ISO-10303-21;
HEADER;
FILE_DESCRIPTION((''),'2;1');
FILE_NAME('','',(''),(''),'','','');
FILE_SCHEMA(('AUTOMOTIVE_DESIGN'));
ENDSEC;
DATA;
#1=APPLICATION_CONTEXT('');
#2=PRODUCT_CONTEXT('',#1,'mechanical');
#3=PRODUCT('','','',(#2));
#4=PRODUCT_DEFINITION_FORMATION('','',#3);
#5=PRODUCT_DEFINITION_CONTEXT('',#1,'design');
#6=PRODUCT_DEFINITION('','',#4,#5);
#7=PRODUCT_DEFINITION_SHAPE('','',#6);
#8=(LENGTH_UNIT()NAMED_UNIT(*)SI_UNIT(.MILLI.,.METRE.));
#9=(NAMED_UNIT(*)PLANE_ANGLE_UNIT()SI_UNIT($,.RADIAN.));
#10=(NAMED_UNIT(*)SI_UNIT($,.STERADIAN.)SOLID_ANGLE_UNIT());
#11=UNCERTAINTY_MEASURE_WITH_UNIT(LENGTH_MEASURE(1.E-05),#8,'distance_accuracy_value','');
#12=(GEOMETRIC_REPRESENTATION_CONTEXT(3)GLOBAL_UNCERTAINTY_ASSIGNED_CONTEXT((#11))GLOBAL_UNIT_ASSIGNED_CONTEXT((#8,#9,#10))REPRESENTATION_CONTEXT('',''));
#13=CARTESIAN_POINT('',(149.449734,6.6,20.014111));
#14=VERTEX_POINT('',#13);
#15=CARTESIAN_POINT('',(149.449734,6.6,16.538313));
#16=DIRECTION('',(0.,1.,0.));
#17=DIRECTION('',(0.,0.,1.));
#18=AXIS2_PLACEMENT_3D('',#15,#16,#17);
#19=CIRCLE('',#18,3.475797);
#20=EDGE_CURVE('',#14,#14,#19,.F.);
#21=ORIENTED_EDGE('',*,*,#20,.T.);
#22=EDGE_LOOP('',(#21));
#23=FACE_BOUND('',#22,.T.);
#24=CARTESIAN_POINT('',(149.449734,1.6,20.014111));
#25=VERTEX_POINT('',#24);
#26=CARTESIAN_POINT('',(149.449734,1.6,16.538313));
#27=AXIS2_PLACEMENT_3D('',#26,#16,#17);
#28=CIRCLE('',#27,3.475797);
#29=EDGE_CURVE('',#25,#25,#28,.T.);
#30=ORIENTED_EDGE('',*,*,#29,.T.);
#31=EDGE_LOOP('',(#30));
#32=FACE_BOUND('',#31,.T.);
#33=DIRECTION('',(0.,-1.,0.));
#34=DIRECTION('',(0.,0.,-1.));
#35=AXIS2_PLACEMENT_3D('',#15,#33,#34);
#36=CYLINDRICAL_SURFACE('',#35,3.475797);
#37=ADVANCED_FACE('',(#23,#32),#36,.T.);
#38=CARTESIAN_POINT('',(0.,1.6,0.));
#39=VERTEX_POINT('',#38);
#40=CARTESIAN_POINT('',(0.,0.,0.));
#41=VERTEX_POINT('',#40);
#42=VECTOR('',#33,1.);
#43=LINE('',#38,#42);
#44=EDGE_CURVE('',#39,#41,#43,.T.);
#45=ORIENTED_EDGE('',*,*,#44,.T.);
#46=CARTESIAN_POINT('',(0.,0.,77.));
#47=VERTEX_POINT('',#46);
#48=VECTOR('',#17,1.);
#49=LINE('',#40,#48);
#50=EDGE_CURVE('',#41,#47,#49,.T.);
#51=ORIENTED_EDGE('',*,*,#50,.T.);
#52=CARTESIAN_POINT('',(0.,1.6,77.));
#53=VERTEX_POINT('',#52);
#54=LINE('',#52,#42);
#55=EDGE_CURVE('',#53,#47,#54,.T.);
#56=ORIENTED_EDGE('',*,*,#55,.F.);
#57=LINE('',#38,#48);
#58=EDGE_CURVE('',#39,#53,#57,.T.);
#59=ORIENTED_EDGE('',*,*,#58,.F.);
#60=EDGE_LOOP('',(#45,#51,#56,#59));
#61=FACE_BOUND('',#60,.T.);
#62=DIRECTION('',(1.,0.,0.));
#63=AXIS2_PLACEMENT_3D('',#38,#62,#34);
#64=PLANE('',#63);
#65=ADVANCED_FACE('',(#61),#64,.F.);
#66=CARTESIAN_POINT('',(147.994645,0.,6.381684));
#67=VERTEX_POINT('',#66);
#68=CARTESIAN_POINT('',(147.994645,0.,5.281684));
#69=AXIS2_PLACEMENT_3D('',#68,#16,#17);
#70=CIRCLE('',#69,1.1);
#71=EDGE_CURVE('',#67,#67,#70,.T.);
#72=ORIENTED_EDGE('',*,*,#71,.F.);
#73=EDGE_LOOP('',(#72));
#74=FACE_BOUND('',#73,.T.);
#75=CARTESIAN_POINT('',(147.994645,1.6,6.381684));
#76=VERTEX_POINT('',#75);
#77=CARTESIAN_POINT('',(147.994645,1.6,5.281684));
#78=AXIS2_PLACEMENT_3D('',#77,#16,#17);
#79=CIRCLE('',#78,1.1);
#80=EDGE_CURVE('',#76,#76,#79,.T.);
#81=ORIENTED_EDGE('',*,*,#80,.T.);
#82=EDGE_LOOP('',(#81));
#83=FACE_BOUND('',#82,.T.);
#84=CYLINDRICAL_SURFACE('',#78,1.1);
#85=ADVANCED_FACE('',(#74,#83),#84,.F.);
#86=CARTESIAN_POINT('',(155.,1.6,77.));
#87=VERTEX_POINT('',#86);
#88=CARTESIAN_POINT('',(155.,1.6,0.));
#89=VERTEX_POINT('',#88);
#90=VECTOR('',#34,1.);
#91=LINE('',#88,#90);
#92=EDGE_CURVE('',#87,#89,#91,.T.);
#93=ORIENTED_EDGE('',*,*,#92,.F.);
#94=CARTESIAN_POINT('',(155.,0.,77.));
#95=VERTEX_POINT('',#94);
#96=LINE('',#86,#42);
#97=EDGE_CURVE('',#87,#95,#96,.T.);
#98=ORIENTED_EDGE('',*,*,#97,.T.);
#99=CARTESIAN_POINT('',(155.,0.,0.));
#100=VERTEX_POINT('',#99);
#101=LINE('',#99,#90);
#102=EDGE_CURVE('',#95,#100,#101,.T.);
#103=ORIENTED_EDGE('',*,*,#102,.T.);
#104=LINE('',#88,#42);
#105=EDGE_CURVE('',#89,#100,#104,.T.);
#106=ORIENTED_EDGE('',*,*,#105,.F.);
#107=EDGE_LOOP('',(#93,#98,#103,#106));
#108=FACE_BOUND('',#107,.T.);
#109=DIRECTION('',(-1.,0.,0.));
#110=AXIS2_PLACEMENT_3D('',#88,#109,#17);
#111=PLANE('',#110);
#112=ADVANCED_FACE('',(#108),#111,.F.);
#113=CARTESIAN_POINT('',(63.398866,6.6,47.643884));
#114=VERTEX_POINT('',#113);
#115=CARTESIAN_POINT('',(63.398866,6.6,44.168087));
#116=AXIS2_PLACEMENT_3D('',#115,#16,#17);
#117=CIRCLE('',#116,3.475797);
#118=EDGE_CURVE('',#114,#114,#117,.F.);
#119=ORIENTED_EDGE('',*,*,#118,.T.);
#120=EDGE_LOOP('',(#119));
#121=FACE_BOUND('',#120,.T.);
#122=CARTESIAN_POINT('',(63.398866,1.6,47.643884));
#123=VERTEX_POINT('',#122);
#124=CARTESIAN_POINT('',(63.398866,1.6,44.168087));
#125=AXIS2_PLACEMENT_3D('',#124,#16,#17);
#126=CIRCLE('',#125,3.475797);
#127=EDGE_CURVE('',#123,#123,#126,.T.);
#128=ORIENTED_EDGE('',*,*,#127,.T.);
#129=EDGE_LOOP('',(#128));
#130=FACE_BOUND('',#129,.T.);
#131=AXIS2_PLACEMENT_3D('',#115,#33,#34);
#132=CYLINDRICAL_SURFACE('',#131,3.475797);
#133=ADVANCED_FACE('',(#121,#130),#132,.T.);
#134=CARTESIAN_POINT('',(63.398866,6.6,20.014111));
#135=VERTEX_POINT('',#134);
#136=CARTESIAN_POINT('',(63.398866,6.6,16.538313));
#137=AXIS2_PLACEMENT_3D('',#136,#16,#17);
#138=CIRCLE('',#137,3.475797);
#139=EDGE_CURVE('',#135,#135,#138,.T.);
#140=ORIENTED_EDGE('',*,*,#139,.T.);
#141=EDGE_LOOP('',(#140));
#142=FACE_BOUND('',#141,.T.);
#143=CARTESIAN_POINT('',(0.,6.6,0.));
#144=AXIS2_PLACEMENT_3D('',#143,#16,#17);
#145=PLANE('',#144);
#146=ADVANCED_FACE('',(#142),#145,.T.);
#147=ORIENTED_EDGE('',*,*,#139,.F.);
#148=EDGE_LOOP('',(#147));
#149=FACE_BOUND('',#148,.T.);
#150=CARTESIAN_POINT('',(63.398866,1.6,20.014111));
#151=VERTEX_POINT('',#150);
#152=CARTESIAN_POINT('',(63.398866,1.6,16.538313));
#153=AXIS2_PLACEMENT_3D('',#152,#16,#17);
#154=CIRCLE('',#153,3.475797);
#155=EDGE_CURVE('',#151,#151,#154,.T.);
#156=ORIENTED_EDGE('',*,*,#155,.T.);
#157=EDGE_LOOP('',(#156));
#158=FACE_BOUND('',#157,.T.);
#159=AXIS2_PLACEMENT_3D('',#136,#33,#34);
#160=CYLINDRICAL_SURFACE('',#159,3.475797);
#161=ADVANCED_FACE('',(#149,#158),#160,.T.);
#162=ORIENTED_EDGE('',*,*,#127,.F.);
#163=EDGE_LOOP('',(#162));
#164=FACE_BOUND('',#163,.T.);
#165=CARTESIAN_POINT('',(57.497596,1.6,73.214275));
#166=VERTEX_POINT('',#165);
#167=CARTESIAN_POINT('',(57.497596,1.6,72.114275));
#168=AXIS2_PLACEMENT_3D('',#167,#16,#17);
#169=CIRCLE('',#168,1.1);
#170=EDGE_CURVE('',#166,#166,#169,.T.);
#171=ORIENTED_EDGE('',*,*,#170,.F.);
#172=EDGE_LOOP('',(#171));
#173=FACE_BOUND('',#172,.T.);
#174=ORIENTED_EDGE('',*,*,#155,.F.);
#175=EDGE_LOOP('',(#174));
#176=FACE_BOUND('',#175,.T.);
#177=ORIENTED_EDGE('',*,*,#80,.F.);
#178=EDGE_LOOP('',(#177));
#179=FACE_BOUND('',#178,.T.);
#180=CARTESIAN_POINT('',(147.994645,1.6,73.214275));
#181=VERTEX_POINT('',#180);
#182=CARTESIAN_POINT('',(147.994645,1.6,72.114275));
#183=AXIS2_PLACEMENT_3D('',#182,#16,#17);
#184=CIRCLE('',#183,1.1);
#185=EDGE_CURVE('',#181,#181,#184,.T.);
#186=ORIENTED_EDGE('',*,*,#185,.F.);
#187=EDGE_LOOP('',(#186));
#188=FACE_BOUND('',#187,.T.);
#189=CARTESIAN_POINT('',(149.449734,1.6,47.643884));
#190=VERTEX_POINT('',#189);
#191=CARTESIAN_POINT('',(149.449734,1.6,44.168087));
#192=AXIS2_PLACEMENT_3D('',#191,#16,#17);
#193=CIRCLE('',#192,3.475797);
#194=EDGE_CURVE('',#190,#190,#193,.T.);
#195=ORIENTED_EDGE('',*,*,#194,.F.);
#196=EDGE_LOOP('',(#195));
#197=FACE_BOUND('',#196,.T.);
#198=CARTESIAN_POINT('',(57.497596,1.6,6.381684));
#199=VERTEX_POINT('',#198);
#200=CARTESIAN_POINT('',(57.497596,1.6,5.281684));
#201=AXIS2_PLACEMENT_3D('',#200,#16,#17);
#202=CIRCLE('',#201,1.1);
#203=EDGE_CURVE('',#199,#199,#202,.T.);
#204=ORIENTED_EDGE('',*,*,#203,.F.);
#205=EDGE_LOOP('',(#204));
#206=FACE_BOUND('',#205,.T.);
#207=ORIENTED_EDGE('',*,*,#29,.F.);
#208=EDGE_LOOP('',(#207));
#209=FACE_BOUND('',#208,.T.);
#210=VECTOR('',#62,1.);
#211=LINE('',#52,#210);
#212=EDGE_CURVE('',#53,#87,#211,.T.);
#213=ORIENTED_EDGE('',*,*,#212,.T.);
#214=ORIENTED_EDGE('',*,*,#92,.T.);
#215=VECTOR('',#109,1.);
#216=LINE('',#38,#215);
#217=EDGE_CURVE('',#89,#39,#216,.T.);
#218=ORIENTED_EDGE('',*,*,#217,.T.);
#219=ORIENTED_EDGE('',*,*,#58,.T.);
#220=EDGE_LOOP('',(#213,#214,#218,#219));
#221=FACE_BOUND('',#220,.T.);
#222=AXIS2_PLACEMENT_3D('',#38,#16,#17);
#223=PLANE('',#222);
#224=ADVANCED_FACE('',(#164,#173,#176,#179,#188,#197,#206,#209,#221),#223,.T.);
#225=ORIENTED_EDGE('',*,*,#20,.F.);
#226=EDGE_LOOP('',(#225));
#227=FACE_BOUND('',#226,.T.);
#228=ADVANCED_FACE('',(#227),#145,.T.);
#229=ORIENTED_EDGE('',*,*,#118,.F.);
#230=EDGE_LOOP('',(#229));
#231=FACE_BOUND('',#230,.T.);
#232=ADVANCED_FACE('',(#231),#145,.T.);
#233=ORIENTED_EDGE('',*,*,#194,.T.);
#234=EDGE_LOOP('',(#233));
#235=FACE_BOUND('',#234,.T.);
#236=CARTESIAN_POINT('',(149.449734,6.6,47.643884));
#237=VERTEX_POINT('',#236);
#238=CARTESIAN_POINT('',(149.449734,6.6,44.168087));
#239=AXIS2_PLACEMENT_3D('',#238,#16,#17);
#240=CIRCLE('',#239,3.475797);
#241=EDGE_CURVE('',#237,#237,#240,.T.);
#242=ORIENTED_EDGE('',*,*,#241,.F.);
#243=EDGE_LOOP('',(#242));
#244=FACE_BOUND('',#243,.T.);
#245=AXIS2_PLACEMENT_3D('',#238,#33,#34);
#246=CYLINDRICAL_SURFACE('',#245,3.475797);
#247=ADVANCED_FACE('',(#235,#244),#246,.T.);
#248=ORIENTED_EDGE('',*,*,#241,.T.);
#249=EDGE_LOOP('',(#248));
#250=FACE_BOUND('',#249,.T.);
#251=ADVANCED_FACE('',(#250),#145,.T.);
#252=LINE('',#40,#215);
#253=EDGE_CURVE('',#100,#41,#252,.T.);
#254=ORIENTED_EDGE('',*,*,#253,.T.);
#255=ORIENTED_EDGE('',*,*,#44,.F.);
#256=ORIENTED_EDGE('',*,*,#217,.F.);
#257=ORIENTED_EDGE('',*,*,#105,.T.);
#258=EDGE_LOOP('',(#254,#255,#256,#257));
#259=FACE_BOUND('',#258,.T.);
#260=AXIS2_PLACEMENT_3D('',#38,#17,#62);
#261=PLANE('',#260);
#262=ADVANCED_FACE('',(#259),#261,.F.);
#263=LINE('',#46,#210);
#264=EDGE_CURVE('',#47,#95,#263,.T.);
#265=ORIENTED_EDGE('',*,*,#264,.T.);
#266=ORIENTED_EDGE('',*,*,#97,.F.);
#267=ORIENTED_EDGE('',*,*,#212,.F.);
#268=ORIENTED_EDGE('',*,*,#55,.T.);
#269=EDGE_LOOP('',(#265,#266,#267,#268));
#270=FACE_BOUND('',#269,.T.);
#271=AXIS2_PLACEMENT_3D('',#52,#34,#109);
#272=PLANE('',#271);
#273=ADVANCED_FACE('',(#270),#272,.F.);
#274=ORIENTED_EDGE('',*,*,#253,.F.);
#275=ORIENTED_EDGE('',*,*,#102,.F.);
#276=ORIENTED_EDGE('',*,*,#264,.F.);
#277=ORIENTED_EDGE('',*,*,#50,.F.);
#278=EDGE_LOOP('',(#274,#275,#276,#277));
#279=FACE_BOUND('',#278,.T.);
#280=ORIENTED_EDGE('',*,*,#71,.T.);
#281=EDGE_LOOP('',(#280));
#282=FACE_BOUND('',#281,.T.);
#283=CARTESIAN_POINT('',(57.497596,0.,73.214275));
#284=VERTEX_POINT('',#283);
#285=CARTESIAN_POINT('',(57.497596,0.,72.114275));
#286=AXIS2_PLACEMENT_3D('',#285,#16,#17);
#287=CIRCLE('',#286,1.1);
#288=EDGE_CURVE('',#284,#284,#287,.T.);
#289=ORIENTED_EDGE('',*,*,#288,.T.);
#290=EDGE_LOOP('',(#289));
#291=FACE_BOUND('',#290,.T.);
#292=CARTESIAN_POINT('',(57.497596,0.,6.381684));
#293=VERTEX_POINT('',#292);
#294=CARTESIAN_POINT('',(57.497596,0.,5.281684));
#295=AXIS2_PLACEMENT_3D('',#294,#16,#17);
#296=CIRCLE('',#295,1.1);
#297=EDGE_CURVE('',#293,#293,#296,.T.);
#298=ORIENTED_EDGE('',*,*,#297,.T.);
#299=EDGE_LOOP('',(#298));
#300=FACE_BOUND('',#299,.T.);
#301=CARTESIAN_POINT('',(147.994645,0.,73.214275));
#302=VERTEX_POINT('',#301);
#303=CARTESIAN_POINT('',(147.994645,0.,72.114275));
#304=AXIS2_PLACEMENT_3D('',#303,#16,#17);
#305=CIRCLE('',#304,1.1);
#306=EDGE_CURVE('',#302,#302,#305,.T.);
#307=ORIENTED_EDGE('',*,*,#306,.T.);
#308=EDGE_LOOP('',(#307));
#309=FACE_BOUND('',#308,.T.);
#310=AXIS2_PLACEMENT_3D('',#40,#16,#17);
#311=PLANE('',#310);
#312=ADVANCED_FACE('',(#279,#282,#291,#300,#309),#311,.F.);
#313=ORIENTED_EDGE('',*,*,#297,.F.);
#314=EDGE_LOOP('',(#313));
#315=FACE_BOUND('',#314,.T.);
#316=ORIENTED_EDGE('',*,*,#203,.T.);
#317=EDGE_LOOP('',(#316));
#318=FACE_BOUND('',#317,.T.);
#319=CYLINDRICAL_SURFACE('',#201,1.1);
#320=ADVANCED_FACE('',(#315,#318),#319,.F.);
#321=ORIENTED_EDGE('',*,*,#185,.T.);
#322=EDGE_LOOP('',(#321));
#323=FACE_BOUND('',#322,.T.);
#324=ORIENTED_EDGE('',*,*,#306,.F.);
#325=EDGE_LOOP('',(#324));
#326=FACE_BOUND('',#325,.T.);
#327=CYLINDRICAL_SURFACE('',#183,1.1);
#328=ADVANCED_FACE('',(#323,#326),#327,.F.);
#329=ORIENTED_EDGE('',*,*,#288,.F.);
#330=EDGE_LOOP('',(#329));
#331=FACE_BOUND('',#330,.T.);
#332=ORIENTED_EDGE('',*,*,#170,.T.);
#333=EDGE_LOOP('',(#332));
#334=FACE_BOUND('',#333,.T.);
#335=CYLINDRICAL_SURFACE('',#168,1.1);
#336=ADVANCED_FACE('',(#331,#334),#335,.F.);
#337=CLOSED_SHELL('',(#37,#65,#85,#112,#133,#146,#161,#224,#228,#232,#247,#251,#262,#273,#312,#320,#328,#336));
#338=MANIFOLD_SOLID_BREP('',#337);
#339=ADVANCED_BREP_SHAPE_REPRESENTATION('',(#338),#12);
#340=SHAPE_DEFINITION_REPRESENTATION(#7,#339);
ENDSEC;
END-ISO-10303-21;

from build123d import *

# Parameters (mm, degrees)
SKETCH1_W            = 155
SKETCH1_H            = 77
BOSS_EXTRUDE1_DEPTH  = 1.6
SKETCH2_R            = 3.47579735
BOSS_EXTRUDE3_DEPTH  = 5
M2_CLEARANCE_HOLE1_D = 2.2


with BuildPart() as part:
    # Sketch1 → Boss-Extrude1 (new body)
    with BuildSketch(Plane(origin=(0, 0, 0), x_dir=(1, 0, 0), z_dir=(0, 1, 0))):
        with Locations((77.5, -38.5)):
            Rectangle(SKETCH1_W, SKETCH1_H)
    extrude(amount=BOSS_EXTRUDE1_DEPTH)

    # Sketch2 → Boss-Extrude3 (add)
    with BuildSketch(Plane(origin=(0, 1.6, 0), x_dir=(1, 0, 0), z_dir=(0, 1, 0))):
        with Locations(Location((63.398865642, -16.538313278, 0), (0, 0, 270))):
            Circle(SKETCH2_R)
        with Locations(Location((63.398865642, -44.168086722, 0), (0, 0, 270))):
            Circle(SKETCH2_R)
        with Locations(Location((149.449734358, -16.538313278, 0), (0, 0, 270))):
            Circle(SKETCH2_R)
        with Locations(Location((149.449734358, -44.168086722, 0), (0, 0, 270))):
            Circle(SKETCH2_R)
    extrude(amount=BOSS_EXTRUDE3_DEPTH)

    # M2 Clearance Hole1 (through all)
    with Locations(Plane(origin=(0, 1.6, 0), x_dir=(1, 0, 0), z_dir=(0, 1, 0))):
        with Locations((147.994644581, -5.281684189), (147.994644581, -72.114274551), (57.497596152, -72.114274551), (57.497596152, -5.281684189)):
            Hole(M2_CLEARANCE_HOLE1_D / 2)


solid = part.part
